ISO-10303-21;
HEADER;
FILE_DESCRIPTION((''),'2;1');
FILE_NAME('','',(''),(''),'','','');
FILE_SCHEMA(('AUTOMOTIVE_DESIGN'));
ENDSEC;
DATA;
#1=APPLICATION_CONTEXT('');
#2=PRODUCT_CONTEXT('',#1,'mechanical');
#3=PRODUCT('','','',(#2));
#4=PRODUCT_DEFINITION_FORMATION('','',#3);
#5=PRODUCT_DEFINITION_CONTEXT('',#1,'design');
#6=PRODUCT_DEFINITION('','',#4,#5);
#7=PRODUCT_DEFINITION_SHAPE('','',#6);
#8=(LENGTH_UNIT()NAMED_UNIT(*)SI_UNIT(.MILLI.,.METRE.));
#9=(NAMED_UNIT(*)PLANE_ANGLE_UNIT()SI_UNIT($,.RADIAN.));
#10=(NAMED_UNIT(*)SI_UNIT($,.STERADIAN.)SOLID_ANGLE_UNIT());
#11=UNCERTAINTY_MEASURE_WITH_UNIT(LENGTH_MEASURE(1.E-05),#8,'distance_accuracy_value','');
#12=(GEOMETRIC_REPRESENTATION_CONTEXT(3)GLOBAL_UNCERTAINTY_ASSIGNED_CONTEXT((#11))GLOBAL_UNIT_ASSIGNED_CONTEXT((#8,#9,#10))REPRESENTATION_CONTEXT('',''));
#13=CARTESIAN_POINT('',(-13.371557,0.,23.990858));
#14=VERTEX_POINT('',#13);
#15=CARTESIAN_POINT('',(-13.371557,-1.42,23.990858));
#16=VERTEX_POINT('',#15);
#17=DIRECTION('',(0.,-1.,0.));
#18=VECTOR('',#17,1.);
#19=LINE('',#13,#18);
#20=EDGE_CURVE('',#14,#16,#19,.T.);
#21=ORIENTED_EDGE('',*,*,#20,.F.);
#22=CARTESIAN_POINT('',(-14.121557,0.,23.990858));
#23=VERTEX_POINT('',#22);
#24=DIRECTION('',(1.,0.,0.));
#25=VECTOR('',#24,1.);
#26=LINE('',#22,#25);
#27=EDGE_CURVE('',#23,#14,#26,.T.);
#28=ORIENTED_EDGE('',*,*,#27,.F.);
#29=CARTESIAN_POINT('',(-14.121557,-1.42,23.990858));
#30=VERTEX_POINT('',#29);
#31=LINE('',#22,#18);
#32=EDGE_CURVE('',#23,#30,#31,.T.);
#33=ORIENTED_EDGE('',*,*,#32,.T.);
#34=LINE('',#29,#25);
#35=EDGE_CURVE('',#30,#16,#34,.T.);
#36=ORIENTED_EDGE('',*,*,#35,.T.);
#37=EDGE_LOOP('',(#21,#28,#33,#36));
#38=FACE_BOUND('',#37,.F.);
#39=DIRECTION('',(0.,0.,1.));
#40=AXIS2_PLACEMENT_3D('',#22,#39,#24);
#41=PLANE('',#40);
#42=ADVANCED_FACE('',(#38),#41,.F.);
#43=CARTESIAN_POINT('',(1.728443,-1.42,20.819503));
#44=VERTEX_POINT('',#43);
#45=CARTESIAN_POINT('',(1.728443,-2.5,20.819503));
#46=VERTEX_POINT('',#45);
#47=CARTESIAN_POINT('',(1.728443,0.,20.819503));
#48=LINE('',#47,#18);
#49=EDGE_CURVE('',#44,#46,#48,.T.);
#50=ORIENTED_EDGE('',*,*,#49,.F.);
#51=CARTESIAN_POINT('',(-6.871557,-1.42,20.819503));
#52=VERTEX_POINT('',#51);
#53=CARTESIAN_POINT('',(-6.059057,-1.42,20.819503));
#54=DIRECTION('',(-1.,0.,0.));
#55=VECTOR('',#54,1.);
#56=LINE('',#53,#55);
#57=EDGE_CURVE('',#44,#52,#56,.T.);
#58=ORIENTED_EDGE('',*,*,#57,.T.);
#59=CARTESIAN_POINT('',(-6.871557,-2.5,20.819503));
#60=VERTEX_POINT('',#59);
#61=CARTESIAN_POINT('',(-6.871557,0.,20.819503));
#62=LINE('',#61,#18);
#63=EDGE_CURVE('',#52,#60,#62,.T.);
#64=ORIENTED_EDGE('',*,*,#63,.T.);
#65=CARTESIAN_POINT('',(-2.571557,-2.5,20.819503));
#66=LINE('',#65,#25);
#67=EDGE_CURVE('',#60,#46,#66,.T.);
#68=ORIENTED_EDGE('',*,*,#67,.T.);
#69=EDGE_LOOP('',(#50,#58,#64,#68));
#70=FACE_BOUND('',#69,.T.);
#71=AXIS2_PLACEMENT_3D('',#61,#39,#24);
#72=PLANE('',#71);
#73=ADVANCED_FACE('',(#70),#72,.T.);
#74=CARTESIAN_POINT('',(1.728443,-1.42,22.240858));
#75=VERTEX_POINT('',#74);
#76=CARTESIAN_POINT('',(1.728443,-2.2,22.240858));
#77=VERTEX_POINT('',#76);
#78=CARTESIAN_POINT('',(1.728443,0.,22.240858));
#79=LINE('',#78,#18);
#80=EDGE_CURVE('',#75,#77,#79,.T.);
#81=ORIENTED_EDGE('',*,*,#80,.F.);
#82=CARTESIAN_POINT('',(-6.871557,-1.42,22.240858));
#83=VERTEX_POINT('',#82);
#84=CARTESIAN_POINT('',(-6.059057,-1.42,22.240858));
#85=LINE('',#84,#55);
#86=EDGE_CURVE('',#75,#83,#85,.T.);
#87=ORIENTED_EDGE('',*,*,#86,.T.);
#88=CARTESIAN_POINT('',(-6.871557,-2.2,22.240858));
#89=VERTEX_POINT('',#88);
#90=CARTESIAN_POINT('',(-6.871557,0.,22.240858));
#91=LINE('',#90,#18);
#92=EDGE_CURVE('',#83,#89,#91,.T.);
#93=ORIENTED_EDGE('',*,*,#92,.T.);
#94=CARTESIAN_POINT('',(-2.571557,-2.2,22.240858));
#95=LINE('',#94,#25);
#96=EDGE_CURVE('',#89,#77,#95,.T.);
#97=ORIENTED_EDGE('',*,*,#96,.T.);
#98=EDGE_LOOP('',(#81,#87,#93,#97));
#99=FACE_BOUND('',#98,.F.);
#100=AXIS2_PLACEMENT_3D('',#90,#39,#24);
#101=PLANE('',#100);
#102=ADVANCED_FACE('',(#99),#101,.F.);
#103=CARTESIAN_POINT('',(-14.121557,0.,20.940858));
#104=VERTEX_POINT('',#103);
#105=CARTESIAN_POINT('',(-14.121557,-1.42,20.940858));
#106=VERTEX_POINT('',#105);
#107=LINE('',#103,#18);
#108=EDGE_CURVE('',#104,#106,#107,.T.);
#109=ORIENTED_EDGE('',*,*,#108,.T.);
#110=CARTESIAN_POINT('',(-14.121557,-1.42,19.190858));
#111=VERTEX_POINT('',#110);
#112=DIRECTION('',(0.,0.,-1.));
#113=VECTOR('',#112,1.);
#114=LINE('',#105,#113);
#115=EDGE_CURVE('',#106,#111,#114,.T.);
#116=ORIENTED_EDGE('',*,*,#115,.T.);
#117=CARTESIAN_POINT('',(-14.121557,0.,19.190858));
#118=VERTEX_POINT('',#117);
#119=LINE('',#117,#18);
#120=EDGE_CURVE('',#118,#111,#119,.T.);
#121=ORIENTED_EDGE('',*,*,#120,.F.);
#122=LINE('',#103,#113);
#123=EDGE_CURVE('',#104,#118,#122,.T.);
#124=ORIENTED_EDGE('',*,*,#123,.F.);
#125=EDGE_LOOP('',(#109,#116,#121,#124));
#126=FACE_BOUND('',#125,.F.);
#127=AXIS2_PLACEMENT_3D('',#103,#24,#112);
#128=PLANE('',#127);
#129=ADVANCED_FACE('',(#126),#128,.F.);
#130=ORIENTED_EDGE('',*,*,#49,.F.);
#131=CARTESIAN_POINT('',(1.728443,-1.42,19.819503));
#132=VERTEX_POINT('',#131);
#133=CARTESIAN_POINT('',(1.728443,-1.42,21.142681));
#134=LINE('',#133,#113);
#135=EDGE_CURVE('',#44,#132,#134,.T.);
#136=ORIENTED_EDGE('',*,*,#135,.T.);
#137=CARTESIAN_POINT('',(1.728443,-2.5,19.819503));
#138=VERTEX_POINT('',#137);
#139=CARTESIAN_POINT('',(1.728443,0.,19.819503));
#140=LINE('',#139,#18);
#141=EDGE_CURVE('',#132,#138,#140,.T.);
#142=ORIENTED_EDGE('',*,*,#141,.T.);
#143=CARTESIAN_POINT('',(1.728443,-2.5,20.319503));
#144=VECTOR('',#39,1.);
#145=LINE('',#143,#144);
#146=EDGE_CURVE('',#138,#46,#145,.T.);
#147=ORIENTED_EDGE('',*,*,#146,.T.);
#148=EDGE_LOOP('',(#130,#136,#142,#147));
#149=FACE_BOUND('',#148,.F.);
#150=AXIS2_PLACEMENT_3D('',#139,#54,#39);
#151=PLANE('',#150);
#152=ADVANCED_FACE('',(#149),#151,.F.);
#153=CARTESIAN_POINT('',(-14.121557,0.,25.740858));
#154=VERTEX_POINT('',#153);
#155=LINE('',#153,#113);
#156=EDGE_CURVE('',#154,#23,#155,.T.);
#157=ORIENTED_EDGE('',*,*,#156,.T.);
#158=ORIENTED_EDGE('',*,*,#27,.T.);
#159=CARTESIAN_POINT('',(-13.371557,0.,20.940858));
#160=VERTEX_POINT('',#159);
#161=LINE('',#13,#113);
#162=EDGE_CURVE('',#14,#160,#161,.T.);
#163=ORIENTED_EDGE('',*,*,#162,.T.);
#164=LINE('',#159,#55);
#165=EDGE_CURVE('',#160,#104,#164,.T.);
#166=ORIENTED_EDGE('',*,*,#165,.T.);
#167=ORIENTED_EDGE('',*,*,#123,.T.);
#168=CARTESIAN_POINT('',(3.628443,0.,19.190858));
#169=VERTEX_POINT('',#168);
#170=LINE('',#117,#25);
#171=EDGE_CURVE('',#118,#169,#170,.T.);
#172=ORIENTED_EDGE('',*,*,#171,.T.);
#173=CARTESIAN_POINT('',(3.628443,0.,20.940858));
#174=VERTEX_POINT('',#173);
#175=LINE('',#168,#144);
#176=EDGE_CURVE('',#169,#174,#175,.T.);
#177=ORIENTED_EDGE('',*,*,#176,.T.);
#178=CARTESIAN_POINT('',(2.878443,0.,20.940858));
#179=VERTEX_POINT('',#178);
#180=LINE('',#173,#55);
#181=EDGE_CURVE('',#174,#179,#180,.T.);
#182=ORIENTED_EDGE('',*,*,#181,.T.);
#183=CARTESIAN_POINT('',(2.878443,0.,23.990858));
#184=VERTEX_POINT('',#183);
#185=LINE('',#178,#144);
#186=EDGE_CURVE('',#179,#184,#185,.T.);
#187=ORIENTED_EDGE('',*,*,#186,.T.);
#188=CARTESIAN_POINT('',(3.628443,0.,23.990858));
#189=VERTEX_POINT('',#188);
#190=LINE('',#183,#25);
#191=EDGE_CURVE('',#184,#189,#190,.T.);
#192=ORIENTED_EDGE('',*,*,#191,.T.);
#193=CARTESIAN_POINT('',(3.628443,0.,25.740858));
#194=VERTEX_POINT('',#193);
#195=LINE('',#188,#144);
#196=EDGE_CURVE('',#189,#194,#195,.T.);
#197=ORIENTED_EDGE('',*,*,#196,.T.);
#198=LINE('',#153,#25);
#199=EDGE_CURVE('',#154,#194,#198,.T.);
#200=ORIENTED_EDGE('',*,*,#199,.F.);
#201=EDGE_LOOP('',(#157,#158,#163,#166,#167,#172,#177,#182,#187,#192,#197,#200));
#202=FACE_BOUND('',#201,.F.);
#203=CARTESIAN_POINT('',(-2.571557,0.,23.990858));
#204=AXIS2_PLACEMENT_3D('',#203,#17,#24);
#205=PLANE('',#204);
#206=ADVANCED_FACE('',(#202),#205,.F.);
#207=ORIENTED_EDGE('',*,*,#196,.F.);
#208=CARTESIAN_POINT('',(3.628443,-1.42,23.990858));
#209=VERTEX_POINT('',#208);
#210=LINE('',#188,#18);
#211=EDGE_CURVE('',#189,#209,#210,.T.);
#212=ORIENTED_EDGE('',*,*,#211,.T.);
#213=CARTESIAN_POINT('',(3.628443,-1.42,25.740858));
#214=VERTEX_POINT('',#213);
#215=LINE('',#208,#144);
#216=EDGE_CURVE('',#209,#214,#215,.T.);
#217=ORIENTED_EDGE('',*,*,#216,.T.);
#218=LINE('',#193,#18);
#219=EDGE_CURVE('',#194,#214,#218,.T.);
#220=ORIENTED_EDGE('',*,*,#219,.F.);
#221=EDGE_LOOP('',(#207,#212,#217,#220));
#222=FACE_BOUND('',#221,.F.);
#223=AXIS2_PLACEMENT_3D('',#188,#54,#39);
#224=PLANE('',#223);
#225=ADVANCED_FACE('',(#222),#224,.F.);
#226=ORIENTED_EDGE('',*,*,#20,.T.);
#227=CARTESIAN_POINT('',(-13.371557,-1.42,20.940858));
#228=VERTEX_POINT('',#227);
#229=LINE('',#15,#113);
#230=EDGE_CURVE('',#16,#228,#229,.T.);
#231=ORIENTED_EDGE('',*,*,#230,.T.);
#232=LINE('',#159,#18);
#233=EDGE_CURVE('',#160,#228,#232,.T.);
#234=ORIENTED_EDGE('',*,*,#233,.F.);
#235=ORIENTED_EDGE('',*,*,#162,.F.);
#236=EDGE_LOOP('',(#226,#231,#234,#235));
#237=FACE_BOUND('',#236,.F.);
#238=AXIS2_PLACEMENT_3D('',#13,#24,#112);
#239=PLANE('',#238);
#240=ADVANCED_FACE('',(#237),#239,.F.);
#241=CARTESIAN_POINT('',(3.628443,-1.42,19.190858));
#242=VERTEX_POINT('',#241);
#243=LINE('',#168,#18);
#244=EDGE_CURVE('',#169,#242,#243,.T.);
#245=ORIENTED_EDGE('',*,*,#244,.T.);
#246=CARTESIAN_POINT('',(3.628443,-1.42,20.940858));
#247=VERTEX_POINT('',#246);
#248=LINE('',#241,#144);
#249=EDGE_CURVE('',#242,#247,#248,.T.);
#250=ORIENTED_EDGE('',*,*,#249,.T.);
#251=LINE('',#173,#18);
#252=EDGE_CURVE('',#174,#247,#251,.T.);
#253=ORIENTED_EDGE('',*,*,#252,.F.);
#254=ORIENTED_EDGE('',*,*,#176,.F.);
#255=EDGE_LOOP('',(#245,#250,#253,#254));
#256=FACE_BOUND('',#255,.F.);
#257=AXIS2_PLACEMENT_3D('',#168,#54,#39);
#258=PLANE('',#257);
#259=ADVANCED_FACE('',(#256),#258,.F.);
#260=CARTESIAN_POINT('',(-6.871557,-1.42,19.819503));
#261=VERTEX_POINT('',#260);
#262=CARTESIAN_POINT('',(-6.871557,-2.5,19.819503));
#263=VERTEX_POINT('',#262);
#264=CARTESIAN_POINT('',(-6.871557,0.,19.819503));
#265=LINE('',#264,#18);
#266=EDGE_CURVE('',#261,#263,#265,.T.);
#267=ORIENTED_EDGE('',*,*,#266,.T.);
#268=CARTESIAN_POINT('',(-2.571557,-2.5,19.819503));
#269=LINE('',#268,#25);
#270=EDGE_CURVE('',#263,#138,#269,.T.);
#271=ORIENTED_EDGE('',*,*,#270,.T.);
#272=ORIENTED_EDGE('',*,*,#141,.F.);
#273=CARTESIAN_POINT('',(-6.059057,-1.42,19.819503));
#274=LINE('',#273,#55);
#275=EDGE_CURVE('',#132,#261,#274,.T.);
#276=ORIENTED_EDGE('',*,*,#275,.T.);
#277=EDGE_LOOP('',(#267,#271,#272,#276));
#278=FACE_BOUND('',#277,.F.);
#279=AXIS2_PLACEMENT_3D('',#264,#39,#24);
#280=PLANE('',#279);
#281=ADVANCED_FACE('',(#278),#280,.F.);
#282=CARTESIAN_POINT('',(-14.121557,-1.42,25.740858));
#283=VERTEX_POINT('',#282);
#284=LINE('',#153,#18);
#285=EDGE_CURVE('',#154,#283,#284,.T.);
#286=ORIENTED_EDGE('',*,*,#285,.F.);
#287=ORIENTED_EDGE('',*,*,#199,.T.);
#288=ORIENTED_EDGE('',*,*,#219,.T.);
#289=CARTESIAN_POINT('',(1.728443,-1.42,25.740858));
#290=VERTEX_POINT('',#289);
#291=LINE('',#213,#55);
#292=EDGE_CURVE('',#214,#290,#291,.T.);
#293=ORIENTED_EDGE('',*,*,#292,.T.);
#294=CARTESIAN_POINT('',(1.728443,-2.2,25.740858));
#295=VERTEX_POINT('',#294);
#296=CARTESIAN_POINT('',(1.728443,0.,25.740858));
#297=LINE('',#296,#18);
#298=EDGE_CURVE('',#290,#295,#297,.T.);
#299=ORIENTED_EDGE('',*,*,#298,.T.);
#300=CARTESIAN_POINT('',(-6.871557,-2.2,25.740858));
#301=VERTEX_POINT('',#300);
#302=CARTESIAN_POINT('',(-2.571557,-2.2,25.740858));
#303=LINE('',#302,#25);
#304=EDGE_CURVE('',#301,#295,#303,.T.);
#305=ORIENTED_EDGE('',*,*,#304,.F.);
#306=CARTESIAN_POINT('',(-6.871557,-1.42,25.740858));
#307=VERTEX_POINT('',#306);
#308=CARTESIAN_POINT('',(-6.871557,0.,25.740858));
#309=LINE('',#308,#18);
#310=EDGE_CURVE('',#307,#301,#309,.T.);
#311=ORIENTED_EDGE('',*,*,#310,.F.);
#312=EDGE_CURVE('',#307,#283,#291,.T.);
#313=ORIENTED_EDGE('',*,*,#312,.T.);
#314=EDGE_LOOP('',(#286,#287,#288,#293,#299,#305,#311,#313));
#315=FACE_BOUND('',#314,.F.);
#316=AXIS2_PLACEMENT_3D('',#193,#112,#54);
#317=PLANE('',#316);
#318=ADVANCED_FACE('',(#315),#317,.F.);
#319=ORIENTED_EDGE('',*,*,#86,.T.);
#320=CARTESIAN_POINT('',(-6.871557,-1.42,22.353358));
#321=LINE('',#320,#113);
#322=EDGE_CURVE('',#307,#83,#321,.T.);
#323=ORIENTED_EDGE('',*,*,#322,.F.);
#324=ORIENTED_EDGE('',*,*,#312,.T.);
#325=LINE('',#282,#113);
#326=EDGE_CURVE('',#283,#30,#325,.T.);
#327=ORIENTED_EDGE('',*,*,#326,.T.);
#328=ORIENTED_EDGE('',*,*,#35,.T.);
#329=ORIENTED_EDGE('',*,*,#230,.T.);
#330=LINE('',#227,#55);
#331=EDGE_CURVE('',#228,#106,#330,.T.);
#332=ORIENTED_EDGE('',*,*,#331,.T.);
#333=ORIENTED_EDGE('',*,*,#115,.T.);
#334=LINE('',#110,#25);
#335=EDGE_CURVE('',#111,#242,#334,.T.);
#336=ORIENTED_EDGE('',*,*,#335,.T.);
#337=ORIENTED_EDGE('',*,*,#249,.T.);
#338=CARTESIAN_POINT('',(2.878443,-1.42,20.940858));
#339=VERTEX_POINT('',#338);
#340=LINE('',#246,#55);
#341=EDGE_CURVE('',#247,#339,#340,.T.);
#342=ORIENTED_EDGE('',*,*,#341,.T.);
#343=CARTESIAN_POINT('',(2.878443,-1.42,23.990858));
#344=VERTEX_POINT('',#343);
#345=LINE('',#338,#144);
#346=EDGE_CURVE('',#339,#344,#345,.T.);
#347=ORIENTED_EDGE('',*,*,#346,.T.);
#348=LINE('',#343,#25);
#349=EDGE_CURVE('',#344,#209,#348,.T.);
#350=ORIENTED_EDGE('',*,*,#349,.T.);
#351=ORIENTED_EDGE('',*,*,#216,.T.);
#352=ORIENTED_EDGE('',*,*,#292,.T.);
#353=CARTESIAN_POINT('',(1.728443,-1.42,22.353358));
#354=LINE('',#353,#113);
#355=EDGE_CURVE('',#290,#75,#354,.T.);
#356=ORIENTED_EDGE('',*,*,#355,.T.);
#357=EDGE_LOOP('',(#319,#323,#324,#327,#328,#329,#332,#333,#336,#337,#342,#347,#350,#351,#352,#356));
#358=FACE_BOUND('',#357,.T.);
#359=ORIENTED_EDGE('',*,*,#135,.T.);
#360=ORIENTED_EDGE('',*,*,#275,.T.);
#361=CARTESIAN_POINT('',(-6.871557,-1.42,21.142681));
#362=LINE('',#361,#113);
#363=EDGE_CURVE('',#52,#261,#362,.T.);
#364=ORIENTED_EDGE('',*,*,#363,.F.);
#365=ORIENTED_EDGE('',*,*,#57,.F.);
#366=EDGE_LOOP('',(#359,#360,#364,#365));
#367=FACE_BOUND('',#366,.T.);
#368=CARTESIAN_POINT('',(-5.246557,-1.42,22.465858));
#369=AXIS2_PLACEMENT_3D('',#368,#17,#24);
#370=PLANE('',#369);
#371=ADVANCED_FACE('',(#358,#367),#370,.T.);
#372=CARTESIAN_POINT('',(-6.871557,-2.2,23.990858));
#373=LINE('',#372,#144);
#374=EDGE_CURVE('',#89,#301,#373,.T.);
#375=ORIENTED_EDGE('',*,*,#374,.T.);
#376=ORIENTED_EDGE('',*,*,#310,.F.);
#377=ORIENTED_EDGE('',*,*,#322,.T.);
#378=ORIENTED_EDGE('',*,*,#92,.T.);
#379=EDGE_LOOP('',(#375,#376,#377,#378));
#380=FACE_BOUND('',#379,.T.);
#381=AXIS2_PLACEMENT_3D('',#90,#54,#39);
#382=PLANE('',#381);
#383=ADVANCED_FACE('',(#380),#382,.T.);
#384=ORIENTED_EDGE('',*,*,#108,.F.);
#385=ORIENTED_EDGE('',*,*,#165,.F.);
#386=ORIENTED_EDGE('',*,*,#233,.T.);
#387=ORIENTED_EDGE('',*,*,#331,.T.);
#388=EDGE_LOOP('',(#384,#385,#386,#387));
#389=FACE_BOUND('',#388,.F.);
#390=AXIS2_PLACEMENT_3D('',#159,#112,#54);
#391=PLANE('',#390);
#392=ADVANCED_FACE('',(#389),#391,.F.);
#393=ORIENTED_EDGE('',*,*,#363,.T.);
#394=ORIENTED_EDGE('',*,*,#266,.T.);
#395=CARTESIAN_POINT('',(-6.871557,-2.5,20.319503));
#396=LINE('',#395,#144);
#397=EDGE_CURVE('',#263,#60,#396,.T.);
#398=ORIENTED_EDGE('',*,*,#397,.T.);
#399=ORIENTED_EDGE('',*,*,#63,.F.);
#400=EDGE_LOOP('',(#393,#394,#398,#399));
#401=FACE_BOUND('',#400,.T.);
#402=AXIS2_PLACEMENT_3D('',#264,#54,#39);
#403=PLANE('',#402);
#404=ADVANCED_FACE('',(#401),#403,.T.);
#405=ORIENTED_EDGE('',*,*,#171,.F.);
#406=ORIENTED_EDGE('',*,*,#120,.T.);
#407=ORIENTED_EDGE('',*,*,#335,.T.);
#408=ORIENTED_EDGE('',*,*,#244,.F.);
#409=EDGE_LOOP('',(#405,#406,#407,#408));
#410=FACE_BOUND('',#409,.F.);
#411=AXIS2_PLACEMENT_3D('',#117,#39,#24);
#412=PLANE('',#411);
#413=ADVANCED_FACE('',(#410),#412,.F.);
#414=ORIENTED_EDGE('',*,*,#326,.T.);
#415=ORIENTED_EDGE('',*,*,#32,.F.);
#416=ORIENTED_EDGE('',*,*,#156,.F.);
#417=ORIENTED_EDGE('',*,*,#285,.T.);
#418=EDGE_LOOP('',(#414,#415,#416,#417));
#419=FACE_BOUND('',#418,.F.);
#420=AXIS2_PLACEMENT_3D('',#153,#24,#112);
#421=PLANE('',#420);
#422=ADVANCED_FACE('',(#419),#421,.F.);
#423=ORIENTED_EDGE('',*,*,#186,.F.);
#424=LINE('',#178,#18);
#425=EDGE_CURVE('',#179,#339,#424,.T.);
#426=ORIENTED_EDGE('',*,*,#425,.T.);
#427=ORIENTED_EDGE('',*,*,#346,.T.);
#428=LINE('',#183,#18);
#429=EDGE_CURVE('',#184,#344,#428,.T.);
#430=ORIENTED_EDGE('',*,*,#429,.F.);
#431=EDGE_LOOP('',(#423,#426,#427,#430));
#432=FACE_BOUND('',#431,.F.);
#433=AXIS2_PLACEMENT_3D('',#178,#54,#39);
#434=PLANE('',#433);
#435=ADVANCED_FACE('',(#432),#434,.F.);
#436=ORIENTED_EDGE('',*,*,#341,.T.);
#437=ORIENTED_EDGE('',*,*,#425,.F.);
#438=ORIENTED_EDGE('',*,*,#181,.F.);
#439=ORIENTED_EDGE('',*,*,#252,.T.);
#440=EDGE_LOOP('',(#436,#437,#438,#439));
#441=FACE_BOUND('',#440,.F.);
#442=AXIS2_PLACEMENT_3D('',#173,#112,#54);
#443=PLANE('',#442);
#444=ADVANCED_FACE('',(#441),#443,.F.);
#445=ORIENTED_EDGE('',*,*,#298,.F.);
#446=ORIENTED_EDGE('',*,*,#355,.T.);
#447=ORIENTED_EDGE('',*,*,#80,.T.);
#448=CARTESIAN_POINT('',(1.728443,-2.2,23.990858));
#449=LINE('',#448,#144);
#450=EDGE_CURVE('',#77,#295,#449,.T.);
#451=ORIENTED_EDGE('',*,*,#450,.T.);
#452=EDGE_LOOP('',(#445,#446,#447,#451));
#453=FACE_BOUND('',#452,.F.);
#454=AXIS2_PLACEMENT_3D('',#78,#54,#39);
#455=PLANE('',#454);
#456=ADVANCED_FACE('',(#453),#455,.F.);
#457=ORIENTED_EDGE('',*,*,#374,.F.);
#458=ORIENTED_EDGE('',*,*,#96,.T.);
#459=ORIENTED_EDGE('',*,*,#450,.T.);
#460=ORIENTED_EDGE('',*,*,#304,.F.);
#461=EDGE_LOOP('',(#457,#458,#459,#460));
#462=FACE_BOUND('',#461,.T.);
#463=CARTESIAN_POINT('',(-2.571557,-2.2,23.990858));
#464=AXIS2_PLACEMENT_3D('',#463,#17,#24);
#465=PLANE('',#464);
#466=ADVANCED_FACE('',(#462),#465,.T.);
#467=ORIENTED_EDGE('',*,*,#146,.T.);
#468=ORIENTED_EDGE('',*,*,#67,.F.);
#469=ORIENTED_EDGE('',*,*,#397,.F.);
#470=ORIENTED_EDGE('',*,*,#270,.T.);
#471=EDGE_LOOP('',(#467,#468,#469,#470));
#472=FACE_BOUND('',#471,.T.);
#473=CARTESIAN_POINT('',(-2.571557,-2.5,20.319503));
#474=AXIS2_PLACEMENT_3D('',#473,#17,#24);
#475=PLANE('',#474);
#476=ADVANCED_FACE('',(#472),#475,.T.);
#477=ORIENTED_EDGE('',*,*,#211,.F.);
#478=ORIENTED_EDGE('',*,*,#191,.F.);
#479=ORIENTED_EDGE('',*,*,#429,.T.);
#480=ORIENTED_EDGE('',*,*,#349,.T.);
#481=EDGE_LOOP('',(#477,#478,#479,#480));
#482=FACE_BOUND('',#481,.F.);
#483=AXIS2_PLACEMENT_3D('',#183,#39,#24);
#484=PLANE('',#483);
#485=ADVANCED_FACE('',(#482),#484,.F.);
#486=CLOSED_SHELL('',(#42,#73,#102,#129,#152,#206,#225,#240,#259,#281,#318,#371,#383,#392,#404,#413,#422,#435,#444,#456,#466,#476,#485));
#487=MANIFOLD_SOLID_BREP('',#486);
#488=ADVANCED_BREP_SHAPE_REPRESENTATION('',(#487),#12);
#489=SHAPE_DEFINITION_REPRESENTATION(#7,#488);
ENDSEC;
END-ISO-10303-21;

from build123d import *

# Parameters (mm, degrees)
F3_DEPTH = 1.42
F1_W     = 8.6
F1_H     = 1
F4_DEPTH = 2.5
F2_W     = 8.6
F2_H     = 3.5
F5_DEPTH = 2.2


with BuildPart() as f3:
    # F0 (on Front) → F3 (new body)
    with BuildSketch(Plane.XZ):
        Polygon((3.628443, 25.740858), (-14.121557, 25.740858), (-14.121557, 23.990858), (-13.371557, 23.990858), (-13.371557, 20.940858), (-14.121557, 20.940858), (-14.121557, 19.190858), (3.628443, 19.190858), (3.628443, 20.940858), (2.878443, 20.940858), (2.878443, 23.990858), (3.628443, 23.990858), align=None)
    extrude(amount=F3_DEPTH)

    # F1 (on face) → F4 (join)
    with BuildSketch(Plane.XZ):
        with Locations((-2.571557, 20.319503)):
            Rectangle(F1_W, F1_H)
    extrude(amount=F4_DEPTH)

    # F2 (on face) → F5 (join)
    with BuildSketch(Plane.XZ):
        with Locations((-2.571557, 23.990858)):
            Rectangle(F2_W, F2_H)
    extrude(amount=F5_DEPTH)


solid = f3.part
